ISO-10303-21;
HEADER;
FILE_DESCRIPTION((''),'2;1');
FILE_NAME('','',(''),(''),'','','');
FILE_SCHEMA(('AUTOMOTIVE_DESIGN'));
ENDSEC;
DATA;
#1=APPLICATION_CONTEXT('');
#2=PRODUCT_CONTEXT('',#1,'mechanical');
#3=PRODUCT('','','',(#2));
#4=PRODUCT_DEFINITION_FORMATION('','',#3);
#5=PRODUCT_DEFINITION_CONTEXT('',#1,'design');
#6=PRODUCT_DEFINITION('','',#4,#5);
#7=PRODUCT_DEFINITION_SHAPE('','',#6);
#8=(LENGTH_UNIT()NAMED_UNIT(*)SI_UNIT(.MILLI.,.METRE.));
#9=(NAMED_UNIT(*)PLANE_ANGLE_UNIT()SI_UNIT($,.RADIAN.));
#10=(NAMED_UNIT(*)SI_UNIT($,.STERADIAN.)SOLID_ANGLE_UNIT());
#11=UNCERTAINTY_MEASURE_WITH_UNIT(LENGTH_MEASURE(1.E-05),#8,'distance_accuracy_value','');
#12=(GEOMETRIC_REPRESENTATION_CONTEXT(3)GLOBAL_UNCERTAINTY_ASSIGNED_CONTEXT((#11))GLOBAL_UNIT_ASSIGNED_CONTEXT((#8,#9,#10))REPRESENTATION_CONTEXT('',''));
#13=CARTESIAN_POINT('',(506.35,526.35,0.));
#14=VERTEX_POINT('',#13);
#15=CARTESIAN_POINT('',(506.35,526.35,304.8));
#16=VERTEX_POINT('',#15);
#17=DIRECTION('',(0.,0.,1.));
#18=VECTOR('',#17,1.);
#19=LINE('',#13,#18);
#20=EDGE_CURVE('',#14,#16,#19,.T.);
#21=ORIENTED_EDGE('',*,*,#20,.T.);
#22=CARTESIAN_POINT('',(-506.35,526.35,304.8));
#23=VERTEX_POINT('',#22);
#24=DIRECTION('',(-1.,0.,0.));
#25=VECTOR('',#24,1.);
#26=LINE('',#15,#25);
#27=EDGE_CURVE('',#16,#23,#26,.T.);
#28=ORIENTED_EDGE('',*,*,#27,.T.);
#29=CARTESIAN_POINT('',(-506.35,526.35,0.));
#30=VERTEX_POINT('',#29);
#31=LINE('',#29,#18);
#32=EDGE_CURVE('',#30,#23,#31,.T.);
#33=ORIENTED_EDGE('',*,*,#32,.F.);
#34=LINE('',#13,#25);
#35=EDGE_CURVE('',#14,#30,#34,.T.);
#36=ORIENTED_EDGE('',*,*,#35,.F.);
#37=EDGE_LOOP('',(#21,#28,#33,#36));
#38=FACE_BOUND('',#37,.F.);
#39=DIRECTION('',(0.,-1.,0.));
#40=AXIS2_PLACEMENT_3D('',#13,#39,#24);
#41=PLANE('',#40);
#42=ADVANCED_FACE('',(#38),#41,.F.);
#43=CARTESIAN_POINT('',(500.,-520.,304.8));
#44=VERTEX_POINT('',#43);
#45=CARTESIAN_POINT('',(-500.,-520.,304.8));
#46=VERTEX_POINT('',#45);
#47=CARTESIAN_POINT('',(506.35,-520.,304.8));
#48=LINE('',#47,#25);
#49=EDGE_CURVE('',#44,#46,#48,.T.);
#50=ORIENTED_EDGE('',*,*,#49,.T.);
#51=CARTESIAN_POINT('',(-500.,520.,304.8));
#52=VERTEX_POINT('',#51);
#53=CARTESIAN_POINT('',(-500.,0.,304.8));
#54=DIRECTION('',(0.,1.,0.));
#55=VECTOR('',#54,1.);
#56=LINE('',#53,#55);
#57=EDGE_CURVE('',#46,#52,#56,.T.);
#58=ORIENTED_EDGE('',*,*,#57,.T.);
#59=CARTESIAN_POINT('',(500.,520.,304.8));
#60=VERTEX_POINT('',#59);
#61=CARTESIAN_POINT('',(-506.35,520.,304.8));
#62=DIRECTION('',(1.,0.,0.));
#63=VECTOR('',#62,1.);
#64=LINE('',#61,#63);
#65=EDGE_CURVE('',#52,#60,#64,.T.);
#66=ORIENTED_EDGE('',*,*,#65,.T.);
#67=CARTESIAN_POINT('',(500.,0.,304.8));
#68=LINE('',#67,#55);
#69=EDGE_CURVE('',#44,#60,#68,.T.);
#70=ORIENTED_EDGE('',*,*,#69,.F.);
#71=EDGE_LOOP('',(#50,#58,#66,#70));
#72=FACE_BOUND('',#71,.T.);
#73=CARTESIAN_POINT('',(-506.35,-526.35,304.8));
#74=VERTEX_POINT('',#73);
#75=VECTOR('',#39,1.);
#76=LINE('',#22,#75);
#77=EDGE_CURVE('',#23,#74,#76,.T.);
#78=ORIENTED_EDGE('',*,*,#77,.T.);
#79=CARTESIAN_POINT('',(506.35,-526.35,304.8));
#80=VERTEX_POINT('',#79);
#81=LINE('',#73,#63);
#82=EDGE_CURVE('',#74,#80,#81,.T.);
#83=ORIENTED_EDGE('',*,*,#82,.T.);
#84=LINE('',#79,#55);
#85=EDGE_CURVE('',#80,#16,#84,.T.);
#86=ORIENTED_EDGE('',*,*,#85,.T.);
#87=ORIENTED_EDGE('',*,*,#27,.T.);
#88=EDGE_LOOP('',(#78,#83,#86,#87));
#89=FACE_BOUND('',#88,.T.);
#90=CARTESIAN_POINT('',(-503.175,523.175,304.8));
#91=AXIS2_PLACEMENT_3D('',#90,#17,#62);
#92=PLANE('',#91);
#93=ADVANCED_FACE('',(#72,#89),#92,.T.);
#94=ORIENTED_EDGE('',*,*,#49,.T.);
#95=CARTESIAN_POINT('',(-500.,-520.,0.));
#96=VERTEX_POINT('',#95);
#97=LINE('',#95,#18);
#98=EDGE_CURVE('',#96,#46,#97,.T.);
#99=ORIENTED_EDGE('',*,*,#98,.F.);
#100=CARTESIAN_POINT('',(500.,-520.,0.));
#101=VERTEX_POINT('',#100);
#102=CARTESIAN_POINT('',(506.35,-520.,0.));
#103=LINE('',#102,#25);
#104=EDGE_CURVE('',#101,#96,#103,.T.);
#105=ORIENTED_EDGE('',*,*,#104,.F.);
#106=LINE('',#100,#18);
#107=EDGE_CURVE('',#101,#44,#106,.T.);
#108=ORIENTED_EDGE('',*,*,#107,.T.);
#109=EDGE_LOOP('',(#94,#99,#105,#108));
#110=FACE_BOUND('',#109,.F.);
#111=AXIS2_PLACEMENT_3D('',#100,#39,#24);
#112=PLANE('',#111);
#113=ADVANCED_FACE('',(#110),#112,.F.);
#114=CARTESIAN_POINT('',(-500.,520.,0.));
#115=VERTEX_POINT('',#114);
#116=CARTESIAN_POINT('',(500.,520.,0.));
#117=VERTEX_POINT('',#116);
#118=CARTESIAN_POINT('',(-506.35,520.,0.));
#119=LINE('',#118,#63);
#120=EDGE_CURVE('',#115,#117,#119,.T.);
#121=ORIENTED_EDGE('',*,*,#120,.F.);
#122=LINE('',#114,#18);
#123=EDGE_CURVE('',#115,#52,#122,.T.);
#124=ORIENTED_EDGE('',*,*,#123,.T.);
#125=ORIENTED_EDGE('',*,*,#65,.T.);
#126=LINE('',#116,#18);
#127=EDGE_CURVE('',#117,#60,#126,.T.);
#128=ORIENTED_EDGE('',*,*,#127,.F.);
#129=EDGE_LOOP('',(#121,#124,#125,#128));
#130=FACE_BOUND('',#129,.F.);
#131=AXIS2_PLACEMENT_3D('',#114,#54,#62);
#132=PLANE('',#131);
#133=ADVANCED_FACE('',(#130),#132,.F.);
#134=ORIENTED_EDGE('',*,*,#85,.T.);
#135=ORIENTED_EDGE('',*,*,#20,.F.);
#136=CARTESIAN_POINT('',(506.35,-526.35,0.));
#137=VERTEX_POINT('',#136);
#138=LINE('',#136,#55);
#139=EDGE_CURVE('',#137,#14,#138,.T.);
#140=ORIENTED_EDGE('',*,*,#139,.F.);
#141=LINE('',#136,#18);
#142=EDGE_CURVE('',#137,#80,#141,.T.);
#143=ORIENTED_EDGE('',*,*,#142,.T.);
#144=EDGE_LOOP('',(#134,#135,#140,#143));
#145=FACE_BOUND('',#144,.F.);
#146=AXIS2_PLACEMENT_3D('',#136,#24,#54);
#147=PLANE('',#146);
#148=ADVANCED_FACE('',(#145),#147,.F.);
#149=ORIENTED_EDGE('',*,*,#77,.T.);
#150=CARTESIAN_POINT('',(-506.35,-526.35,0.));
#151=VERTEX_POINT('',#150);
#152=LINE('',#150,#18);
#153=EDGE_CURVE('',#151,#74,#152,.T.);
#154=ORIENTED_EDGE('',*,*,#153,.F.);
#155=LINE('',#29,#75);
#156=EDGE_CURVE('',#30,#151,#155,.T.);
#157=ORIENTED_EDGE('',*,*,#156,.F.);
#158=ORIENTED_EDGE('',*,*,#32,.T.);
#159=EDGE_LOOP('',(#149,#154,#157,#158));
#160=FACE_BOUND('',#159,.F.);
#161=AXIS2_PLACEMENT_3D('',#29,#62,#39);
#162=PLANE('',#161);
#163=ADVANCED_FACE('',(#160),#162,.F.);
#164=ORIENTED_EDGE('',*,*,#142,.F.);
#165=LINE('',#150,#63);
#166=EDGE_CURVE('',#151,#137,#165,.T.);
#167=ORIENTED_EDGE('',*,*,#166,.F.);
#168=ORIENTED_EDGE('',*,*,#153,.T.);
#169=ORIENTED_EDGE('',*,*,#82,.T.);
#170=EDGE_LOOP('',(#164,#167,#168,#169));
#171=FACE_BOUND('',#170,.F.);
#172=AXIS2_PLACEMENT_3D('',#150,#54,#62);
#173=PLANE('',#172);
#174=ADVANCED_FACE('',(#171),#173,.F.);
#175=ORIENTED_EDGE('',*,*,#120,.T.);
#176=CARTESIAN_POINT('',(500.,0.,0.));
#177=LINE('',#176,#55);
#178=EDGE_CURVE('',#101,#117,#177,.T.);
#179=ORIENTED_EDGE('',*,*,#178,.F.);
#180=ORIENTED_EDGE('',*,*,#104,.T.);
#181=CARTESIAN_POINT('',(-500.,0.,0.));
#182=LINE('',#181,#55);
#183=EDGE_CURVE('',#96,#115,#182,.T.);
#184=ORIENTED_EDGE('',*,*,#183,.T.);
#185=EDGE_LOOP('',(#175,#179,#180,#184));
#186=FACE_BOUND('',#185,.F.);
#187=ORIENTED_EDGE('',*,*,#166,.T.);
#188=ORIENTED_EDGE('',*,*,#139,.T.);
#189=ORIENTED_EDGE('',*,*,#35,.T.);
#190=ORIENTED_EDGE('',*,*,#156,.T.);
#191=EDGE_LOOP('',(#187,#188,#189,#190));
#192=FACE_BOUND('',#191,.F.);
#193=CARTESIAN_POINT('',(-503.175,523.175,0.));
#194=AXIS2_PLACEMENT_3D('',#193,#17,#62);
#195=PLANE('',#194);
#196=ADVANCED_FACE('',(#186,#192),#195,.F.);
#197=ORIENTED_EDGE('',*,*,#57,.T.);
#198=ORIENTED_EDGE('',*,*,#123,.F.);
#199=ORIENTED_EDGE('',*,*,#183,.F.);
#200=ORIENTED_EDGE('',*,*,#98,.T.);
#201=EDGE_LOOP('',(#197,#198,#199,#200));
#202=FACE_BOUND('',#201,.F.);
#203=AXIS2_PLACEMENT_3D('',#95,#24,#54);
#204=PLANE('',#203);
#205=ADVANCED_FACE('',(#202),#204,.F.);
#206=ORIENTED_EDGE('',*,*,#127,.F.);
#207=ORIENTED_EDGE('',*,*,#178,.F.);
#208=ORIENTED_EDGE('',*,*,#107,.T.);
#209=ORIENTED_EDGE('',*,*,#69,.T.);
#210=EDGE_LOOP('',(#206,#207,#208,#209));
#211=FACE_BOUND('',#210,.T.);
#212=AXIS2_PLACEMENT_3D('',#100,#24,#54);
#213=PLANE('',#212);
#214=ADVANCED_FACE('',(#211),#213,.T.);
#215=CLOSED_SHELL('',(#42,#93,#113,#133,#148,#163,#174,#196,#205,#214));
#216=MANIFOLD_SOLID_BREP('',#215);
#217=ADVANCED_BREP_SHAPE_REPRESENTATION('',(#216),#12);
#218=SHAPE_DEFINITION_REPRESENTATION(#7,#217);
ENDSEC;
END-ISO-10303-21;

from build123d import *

# Parameters (mm, degrees)
F0_W     = 6.35
F0_H     = 6.35
F0_W_2   = 1000
F0_H_2   = 1040
F1_DEPTH = 304.8


with BuildPart() as f1:
    # F0 (on Top) → F1 (new body)
    with BuildSketch(Plane.XY):
        with Locations((-503.175, 523.175)):
            Rectangle(F0_W, F0_H)
        with Locations((503.175, 523.175)):
            Rectangle(F0_W, F0_H)
        with Locations((503.175, -523.175)):
            Rectangle(F0_W, F0_H)
        with Locations((-503.175, -523.175)):
            Rectangle(F0_W, F0_H)
        with Locations((0, 523.175)):
            Rectangle(F0_W_2, F0_H)
        with Locations((0, -523.175)):
            Rectangle(F0_W_2, F0_H)
        with Locations((503.175, 0)):
            Rectangle(F0_W, F0_H_2)
        with Locations((-503.175, 0)):
            Rectangle(F0_W, F0_H_2)
    extrude(amount=F1_DEPTH)


solid = f1.part
